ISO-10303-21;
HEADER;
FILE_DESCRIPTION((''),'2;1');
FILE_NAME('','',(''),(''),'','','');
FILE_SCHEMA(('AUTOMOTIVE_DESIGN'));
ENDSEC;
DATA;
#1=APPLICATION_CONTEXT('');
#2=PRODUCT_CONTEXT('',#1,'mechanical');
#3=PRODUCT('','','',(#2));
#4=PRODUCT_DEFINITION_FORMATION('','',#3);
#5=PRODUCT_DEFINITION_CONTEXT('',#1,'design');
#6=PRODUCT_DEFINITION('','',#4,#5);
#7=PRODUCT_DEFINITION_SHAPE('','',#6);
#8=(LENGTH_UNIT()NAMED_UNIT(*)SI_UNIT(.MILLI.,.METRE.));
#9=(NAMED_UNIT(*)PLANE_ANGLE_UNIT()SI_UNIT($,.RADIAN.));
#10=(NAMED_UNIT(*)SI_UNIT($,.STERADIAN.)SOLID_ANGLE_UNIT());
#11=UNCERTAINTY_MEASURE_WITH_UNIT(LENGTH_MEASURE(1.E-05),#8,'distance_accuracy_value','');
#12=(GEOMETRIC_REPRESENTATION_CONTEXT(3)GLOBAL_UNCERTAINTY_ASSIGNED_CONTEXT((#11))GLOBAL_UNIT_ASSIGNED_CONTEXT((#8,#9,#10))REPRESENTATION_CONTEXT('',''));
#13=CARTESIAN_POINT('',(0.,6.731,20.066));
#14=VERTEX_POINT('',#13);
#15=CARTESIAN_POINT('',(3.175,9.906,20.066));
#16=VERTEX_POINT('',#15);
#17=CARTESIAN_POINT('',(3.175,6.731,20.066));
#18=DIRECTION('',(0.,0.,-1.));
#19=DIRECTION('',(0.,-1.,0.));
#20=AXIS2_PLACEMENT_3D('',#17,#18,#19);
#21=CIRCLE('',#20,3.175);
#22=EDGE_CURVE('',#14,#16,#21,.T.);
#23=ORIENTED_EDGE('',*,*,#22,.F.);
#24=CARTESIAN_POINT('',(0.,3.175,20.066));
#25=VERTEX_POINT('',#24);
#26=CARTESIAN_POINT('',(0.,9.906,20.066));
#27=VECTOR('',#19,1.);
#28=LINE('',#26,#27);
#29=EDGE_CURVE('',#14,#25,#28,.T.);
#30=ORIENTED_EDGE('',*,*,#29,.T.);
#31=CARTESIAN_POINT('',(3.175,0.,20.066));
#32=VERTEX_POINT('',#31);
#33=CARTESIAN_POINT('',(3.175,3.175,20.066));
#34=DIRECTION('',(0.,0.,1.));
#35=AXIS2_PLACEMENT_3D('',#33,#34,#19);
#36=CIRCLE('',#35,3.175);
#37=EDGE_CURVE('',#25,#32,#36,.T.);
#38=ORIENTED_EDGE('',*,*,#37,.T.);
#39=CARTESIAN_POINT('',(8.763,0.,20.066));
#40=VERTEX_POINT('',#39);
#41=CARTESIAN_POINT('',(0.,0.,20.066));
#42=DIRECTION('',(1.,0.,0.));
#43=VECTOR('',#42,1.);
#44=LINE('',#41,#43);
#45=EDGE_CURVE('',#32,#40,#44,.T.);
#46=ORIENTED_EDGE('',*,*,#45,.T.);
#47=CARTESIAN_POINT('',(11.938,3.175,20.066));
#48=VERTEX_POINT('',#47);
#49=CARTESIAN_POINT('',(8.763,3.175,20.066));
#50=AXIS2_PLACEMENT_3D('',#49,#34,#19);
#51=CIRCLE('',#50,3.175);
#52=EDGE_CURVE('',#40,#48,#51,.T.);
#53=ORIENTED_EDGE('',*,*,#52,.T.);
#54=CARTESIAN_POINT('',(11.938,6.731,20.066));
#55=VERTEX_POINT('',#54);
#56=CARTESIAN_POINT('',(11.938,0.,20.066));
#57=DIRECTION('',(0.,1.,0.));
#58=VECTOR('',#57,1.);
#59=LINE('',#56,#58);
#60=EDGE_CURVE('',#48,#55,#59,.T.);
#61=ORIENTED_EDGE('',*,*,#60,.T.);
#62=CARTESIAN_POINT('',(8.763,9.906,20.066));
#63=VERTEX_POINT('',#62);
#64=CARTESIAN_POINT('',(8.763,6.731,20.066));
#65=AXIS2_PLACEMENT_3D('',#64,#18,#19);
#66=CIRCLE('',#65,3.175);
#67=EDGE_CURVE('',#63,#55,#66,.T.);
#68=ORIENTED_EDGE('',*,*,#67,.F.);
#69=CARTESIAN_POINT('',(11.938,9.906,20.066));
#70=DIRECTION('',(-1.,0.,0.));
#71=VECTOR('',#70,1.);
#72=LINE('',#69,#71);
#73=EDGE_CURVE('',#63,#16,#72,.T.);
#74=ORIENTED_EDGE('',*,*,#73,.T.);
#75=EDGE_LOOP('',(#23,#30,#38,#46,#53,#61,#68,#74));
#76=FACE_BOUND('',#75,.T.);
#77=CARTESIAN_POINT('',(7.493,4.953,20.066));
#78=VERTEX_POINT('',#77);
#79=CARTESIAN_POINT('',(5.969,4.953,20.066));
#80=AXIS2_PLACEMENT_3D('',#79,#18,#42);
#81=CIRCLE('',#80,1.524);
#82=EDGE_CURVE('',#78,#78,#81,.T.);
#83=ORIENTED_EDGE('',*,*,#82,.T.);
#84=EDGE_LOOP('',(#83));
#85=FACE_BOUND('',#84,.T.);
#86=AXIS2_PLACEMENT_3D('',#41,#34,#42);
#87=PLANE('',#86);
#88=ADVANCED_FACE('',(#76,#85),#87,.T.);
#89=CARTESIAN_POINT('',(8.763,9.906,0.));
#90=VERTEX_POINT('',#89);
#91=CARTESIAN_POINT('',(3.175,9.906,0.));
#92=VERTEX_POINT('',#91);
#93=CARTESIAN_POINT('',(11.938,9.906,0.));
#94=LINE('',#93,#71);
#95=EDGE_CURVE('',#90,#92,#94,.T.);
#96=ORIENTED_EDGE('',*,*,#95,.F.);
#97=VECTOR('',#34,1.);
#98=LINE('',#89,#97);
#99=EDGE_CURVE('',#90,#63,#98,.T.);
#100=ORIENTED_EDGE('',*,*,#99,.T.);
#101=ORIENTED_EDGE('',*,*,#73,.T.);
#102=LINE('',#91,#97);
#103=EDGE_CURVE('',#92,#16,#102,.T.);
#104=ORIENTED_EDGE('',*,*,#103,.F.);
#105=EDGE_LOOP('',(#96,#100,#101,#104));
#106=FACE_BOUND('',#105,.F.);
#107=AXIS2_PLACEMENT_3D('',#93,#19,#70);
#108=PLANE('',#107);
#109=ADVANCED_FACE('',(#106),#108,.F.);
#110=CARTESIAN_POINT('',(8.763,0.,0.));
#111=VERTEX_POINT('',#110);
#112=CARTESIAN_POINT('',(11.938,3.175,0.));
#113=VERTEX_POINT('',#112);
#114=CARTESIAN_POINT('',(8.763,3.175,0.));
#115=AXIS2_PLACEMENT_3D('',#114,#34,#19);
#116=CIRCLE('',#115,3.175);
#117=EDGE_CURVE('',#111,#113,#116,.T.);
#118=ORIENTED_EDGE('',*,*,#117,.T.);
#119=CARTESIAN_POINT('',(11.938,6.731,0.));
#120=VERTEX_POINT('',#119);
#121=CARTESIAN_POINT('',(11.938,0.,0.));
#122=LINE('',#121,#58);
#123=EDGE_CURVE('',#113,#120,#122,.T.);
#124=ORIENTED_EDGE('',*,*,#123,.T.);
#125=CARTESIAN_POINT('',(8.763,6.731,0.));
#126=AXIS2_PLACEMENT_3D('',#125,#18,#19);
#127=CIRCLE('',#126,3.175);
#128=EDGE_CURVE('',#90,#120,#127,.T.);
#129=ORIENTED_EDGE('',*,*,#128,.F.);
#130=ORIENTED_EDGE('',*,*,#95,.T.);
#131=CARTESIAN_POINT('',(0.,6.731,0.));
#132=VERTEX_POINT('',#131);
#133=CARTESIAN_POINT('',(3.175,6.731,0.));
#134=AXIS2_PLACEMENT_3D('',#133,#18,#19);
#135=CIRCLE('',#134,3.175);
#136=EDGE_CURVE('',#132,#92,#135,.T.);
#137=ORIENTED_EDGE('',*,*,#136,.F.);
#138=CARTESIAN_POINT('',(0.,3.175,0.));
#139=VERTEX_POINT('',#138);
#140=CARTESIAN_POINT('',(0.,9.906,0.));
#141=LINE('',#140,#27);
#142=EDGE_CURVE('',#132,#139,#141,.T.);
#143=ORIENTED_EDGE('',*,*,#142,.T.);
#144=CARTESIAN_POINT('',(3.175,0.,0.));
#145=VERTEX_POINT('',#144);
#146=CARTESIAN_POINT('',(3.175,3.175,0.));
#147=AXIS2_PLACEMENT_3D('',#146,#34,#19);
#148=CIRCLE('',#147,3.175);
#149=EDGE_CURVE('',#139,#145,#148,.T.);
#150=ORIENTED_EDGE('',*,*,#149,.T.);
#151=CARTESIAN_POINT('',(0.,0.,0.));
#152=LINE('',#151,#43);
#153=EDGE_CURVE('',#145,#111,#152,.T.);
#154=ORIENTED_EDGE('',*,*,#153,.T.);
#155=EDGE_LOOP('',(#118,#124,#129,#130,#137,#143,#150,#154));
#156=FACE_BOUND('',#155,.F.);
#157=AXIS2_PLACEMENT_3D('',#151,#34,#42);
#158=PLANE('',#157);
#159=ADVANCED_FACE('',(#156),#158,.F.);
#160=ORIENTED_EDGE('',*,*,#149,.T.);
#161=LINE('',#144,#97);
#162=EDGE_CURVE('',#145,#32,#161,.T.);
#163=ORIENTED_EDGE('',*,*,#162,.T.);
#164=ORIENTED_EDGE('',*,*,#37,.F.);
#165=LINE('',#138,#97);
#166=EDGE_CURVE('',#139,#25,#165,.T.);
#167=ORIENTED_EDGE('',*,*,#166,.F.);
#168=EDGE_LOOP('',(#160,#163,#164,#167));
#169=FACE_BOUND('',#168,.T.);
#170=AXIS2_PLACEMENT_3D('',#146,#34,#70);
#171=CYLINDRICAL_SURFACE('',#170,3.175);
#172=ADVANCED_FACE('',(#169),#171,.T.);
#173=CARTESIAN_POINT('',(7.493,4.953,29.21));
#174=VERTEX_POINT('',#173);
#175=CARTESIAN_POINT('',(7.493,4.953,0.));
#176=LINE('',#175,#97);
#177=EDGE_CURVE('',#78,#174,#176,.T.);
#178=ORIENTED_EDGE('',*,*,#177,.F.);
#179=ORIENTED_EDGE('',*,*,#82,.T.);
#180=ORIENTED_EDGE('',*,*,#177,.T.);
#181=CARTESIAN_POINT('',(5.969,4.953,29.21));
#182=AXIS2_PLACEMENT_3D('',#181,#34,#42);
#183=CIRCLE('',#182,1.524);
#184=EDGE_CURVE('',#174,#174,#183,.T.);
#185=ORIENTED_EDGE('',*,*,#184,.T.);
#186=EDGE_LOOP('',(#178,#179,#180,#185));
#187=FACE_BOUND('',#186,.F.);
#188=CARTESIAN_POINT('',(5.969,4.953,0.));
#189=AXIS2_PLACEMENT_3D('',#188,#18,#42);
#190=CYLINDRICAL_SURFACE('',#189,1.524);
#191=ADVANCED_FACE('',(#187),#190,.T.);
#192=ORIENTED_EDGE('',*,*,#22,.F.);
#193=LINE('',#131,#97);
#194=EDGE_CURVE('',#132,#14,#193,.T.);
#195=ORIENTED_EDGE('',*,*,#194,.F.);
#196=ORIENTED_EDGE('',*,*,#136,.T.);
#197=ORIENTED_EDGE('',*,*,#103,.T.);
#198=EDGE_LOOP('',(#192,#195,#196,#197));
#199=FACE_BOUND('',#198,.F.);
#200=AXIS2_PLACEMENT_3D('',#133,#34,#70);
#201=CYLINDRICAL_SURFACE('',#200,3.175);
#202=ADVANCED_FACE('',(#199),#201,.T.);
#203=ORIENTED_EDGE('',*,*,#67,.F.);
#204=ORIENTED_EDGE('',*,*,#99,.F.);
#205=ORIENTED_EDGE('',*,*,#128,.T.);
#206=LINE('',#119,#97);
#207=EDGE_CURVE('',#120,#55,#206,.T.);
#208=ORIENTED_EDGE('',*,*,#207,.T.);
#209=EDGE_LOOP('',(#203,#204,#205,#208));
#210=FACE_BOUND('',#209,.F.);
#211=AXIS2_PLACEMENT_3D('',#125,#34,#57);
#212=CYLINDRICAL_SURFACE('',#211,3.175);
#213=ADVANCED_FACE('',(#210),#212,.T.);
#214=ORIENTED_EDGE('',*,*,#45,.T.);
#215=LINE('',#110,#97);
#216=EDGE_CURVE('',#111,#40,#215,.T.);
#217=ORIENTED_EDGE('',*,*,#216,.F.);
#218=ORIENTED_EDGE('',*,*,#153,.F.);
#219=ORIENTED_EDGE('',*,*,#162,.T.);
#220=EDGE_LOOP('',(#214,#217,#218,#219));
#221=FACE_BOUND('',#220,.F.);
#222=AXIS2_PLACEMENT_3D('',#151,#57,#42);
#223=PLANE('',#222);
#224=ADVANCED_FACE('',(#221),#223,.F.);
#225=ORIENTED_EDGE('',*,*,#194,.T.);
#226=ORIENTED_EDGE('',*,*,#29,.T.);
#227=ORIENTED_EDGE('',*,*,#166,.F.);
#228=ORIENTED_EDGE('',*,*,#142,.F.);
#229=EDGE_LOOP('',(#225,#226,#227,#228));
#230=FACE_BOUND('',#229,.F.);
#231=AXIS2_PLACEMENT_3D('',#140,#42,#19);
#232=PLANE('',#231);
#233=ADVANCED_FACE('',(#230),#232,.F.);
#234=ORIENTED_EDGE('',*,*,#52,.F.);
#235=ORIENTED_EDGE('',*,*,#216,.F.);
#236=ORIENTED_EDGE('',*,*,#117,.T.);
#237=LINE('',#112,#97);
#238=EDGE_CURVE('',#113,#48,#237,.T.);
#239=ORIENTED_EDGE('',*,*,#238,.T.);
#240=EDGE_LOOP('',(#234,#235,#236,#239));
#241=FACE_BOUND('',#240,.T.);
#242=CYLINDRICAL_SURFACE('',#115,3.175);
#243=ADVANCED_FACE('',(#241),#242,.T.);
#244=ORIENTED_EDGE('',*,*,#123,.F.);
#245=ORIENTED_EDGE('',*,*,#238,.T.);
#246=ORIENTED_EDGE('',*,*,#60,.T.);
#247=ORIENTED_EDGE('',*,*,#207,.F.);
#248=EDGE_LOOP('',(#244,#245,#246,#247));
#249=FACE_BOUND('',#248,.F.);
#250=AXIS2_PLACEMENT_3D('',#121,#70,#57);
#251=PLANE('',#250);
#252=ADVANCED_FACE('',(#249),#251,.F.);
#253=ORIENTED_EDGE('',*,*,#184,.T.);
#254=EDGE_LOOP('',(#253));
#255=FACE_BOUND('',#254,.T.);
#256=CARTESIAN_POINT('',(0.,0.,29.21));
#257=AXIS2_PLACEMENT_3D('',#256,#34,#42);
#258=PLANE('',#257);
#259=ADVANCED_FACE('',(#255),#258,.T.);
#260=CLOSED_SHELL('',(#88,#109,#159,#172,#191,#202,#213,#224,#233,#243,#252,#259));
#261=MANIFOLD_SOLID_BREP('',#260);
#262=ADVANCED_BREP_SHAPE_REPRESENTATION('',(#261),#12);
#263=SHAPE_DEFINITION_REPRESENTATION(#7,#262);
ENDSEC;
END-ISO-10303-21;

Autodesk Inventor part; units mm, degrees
ref_plane "YZ Plane" through (0, 0, 0) normal (1, 0, 0) x (0, 1, 0)
ref_plane "XZ Plane" through (0, 0, 0) normal (0, 1, 0) x (-1, 0, 0)
ref_plane "XY Plane" through (0, 0, 0) normal (0, 0, 1) x (1, 0, 0)
sketch "Sketch1" plane through (0, 0, 0) normal (0, 0, 1) x (1, 0, 0)
  line L0 (0, 0) -> (11.938, 0)
  line L1 (11.938, 0) -> (11.938, 9.906)
  line L2 (11.938, 9.906) -> (0, 9.906)
  line L3 (0, 9.906) -> (0, 0)
  circle A0 centre (5.969, 4.953) radius 1.524
  point P0 (0, 4.953)
  point P1 (5.969, 9.906)
  dimension "d0" = 11.938
  dimension "d1" = 9.906
  dimension "d2" = 3.048
extrude "Extrusion1" add sketch "Sketch1" along normal blind 20.066 contours L3 L2 L1 L0 | A0
extrude "Extrusion2" add sketch "Sketch1" along normal blind 29.21 contours A0
fillet "Fillet1" radius 3.175 4 edges at (11.938, 9.906, 10.033) (11.938, 0, 10.033) (0, 9.906, 10.033) (0, 0, 10.033)
properties part number "OGGearMotor" material "Steel, Carbon"
